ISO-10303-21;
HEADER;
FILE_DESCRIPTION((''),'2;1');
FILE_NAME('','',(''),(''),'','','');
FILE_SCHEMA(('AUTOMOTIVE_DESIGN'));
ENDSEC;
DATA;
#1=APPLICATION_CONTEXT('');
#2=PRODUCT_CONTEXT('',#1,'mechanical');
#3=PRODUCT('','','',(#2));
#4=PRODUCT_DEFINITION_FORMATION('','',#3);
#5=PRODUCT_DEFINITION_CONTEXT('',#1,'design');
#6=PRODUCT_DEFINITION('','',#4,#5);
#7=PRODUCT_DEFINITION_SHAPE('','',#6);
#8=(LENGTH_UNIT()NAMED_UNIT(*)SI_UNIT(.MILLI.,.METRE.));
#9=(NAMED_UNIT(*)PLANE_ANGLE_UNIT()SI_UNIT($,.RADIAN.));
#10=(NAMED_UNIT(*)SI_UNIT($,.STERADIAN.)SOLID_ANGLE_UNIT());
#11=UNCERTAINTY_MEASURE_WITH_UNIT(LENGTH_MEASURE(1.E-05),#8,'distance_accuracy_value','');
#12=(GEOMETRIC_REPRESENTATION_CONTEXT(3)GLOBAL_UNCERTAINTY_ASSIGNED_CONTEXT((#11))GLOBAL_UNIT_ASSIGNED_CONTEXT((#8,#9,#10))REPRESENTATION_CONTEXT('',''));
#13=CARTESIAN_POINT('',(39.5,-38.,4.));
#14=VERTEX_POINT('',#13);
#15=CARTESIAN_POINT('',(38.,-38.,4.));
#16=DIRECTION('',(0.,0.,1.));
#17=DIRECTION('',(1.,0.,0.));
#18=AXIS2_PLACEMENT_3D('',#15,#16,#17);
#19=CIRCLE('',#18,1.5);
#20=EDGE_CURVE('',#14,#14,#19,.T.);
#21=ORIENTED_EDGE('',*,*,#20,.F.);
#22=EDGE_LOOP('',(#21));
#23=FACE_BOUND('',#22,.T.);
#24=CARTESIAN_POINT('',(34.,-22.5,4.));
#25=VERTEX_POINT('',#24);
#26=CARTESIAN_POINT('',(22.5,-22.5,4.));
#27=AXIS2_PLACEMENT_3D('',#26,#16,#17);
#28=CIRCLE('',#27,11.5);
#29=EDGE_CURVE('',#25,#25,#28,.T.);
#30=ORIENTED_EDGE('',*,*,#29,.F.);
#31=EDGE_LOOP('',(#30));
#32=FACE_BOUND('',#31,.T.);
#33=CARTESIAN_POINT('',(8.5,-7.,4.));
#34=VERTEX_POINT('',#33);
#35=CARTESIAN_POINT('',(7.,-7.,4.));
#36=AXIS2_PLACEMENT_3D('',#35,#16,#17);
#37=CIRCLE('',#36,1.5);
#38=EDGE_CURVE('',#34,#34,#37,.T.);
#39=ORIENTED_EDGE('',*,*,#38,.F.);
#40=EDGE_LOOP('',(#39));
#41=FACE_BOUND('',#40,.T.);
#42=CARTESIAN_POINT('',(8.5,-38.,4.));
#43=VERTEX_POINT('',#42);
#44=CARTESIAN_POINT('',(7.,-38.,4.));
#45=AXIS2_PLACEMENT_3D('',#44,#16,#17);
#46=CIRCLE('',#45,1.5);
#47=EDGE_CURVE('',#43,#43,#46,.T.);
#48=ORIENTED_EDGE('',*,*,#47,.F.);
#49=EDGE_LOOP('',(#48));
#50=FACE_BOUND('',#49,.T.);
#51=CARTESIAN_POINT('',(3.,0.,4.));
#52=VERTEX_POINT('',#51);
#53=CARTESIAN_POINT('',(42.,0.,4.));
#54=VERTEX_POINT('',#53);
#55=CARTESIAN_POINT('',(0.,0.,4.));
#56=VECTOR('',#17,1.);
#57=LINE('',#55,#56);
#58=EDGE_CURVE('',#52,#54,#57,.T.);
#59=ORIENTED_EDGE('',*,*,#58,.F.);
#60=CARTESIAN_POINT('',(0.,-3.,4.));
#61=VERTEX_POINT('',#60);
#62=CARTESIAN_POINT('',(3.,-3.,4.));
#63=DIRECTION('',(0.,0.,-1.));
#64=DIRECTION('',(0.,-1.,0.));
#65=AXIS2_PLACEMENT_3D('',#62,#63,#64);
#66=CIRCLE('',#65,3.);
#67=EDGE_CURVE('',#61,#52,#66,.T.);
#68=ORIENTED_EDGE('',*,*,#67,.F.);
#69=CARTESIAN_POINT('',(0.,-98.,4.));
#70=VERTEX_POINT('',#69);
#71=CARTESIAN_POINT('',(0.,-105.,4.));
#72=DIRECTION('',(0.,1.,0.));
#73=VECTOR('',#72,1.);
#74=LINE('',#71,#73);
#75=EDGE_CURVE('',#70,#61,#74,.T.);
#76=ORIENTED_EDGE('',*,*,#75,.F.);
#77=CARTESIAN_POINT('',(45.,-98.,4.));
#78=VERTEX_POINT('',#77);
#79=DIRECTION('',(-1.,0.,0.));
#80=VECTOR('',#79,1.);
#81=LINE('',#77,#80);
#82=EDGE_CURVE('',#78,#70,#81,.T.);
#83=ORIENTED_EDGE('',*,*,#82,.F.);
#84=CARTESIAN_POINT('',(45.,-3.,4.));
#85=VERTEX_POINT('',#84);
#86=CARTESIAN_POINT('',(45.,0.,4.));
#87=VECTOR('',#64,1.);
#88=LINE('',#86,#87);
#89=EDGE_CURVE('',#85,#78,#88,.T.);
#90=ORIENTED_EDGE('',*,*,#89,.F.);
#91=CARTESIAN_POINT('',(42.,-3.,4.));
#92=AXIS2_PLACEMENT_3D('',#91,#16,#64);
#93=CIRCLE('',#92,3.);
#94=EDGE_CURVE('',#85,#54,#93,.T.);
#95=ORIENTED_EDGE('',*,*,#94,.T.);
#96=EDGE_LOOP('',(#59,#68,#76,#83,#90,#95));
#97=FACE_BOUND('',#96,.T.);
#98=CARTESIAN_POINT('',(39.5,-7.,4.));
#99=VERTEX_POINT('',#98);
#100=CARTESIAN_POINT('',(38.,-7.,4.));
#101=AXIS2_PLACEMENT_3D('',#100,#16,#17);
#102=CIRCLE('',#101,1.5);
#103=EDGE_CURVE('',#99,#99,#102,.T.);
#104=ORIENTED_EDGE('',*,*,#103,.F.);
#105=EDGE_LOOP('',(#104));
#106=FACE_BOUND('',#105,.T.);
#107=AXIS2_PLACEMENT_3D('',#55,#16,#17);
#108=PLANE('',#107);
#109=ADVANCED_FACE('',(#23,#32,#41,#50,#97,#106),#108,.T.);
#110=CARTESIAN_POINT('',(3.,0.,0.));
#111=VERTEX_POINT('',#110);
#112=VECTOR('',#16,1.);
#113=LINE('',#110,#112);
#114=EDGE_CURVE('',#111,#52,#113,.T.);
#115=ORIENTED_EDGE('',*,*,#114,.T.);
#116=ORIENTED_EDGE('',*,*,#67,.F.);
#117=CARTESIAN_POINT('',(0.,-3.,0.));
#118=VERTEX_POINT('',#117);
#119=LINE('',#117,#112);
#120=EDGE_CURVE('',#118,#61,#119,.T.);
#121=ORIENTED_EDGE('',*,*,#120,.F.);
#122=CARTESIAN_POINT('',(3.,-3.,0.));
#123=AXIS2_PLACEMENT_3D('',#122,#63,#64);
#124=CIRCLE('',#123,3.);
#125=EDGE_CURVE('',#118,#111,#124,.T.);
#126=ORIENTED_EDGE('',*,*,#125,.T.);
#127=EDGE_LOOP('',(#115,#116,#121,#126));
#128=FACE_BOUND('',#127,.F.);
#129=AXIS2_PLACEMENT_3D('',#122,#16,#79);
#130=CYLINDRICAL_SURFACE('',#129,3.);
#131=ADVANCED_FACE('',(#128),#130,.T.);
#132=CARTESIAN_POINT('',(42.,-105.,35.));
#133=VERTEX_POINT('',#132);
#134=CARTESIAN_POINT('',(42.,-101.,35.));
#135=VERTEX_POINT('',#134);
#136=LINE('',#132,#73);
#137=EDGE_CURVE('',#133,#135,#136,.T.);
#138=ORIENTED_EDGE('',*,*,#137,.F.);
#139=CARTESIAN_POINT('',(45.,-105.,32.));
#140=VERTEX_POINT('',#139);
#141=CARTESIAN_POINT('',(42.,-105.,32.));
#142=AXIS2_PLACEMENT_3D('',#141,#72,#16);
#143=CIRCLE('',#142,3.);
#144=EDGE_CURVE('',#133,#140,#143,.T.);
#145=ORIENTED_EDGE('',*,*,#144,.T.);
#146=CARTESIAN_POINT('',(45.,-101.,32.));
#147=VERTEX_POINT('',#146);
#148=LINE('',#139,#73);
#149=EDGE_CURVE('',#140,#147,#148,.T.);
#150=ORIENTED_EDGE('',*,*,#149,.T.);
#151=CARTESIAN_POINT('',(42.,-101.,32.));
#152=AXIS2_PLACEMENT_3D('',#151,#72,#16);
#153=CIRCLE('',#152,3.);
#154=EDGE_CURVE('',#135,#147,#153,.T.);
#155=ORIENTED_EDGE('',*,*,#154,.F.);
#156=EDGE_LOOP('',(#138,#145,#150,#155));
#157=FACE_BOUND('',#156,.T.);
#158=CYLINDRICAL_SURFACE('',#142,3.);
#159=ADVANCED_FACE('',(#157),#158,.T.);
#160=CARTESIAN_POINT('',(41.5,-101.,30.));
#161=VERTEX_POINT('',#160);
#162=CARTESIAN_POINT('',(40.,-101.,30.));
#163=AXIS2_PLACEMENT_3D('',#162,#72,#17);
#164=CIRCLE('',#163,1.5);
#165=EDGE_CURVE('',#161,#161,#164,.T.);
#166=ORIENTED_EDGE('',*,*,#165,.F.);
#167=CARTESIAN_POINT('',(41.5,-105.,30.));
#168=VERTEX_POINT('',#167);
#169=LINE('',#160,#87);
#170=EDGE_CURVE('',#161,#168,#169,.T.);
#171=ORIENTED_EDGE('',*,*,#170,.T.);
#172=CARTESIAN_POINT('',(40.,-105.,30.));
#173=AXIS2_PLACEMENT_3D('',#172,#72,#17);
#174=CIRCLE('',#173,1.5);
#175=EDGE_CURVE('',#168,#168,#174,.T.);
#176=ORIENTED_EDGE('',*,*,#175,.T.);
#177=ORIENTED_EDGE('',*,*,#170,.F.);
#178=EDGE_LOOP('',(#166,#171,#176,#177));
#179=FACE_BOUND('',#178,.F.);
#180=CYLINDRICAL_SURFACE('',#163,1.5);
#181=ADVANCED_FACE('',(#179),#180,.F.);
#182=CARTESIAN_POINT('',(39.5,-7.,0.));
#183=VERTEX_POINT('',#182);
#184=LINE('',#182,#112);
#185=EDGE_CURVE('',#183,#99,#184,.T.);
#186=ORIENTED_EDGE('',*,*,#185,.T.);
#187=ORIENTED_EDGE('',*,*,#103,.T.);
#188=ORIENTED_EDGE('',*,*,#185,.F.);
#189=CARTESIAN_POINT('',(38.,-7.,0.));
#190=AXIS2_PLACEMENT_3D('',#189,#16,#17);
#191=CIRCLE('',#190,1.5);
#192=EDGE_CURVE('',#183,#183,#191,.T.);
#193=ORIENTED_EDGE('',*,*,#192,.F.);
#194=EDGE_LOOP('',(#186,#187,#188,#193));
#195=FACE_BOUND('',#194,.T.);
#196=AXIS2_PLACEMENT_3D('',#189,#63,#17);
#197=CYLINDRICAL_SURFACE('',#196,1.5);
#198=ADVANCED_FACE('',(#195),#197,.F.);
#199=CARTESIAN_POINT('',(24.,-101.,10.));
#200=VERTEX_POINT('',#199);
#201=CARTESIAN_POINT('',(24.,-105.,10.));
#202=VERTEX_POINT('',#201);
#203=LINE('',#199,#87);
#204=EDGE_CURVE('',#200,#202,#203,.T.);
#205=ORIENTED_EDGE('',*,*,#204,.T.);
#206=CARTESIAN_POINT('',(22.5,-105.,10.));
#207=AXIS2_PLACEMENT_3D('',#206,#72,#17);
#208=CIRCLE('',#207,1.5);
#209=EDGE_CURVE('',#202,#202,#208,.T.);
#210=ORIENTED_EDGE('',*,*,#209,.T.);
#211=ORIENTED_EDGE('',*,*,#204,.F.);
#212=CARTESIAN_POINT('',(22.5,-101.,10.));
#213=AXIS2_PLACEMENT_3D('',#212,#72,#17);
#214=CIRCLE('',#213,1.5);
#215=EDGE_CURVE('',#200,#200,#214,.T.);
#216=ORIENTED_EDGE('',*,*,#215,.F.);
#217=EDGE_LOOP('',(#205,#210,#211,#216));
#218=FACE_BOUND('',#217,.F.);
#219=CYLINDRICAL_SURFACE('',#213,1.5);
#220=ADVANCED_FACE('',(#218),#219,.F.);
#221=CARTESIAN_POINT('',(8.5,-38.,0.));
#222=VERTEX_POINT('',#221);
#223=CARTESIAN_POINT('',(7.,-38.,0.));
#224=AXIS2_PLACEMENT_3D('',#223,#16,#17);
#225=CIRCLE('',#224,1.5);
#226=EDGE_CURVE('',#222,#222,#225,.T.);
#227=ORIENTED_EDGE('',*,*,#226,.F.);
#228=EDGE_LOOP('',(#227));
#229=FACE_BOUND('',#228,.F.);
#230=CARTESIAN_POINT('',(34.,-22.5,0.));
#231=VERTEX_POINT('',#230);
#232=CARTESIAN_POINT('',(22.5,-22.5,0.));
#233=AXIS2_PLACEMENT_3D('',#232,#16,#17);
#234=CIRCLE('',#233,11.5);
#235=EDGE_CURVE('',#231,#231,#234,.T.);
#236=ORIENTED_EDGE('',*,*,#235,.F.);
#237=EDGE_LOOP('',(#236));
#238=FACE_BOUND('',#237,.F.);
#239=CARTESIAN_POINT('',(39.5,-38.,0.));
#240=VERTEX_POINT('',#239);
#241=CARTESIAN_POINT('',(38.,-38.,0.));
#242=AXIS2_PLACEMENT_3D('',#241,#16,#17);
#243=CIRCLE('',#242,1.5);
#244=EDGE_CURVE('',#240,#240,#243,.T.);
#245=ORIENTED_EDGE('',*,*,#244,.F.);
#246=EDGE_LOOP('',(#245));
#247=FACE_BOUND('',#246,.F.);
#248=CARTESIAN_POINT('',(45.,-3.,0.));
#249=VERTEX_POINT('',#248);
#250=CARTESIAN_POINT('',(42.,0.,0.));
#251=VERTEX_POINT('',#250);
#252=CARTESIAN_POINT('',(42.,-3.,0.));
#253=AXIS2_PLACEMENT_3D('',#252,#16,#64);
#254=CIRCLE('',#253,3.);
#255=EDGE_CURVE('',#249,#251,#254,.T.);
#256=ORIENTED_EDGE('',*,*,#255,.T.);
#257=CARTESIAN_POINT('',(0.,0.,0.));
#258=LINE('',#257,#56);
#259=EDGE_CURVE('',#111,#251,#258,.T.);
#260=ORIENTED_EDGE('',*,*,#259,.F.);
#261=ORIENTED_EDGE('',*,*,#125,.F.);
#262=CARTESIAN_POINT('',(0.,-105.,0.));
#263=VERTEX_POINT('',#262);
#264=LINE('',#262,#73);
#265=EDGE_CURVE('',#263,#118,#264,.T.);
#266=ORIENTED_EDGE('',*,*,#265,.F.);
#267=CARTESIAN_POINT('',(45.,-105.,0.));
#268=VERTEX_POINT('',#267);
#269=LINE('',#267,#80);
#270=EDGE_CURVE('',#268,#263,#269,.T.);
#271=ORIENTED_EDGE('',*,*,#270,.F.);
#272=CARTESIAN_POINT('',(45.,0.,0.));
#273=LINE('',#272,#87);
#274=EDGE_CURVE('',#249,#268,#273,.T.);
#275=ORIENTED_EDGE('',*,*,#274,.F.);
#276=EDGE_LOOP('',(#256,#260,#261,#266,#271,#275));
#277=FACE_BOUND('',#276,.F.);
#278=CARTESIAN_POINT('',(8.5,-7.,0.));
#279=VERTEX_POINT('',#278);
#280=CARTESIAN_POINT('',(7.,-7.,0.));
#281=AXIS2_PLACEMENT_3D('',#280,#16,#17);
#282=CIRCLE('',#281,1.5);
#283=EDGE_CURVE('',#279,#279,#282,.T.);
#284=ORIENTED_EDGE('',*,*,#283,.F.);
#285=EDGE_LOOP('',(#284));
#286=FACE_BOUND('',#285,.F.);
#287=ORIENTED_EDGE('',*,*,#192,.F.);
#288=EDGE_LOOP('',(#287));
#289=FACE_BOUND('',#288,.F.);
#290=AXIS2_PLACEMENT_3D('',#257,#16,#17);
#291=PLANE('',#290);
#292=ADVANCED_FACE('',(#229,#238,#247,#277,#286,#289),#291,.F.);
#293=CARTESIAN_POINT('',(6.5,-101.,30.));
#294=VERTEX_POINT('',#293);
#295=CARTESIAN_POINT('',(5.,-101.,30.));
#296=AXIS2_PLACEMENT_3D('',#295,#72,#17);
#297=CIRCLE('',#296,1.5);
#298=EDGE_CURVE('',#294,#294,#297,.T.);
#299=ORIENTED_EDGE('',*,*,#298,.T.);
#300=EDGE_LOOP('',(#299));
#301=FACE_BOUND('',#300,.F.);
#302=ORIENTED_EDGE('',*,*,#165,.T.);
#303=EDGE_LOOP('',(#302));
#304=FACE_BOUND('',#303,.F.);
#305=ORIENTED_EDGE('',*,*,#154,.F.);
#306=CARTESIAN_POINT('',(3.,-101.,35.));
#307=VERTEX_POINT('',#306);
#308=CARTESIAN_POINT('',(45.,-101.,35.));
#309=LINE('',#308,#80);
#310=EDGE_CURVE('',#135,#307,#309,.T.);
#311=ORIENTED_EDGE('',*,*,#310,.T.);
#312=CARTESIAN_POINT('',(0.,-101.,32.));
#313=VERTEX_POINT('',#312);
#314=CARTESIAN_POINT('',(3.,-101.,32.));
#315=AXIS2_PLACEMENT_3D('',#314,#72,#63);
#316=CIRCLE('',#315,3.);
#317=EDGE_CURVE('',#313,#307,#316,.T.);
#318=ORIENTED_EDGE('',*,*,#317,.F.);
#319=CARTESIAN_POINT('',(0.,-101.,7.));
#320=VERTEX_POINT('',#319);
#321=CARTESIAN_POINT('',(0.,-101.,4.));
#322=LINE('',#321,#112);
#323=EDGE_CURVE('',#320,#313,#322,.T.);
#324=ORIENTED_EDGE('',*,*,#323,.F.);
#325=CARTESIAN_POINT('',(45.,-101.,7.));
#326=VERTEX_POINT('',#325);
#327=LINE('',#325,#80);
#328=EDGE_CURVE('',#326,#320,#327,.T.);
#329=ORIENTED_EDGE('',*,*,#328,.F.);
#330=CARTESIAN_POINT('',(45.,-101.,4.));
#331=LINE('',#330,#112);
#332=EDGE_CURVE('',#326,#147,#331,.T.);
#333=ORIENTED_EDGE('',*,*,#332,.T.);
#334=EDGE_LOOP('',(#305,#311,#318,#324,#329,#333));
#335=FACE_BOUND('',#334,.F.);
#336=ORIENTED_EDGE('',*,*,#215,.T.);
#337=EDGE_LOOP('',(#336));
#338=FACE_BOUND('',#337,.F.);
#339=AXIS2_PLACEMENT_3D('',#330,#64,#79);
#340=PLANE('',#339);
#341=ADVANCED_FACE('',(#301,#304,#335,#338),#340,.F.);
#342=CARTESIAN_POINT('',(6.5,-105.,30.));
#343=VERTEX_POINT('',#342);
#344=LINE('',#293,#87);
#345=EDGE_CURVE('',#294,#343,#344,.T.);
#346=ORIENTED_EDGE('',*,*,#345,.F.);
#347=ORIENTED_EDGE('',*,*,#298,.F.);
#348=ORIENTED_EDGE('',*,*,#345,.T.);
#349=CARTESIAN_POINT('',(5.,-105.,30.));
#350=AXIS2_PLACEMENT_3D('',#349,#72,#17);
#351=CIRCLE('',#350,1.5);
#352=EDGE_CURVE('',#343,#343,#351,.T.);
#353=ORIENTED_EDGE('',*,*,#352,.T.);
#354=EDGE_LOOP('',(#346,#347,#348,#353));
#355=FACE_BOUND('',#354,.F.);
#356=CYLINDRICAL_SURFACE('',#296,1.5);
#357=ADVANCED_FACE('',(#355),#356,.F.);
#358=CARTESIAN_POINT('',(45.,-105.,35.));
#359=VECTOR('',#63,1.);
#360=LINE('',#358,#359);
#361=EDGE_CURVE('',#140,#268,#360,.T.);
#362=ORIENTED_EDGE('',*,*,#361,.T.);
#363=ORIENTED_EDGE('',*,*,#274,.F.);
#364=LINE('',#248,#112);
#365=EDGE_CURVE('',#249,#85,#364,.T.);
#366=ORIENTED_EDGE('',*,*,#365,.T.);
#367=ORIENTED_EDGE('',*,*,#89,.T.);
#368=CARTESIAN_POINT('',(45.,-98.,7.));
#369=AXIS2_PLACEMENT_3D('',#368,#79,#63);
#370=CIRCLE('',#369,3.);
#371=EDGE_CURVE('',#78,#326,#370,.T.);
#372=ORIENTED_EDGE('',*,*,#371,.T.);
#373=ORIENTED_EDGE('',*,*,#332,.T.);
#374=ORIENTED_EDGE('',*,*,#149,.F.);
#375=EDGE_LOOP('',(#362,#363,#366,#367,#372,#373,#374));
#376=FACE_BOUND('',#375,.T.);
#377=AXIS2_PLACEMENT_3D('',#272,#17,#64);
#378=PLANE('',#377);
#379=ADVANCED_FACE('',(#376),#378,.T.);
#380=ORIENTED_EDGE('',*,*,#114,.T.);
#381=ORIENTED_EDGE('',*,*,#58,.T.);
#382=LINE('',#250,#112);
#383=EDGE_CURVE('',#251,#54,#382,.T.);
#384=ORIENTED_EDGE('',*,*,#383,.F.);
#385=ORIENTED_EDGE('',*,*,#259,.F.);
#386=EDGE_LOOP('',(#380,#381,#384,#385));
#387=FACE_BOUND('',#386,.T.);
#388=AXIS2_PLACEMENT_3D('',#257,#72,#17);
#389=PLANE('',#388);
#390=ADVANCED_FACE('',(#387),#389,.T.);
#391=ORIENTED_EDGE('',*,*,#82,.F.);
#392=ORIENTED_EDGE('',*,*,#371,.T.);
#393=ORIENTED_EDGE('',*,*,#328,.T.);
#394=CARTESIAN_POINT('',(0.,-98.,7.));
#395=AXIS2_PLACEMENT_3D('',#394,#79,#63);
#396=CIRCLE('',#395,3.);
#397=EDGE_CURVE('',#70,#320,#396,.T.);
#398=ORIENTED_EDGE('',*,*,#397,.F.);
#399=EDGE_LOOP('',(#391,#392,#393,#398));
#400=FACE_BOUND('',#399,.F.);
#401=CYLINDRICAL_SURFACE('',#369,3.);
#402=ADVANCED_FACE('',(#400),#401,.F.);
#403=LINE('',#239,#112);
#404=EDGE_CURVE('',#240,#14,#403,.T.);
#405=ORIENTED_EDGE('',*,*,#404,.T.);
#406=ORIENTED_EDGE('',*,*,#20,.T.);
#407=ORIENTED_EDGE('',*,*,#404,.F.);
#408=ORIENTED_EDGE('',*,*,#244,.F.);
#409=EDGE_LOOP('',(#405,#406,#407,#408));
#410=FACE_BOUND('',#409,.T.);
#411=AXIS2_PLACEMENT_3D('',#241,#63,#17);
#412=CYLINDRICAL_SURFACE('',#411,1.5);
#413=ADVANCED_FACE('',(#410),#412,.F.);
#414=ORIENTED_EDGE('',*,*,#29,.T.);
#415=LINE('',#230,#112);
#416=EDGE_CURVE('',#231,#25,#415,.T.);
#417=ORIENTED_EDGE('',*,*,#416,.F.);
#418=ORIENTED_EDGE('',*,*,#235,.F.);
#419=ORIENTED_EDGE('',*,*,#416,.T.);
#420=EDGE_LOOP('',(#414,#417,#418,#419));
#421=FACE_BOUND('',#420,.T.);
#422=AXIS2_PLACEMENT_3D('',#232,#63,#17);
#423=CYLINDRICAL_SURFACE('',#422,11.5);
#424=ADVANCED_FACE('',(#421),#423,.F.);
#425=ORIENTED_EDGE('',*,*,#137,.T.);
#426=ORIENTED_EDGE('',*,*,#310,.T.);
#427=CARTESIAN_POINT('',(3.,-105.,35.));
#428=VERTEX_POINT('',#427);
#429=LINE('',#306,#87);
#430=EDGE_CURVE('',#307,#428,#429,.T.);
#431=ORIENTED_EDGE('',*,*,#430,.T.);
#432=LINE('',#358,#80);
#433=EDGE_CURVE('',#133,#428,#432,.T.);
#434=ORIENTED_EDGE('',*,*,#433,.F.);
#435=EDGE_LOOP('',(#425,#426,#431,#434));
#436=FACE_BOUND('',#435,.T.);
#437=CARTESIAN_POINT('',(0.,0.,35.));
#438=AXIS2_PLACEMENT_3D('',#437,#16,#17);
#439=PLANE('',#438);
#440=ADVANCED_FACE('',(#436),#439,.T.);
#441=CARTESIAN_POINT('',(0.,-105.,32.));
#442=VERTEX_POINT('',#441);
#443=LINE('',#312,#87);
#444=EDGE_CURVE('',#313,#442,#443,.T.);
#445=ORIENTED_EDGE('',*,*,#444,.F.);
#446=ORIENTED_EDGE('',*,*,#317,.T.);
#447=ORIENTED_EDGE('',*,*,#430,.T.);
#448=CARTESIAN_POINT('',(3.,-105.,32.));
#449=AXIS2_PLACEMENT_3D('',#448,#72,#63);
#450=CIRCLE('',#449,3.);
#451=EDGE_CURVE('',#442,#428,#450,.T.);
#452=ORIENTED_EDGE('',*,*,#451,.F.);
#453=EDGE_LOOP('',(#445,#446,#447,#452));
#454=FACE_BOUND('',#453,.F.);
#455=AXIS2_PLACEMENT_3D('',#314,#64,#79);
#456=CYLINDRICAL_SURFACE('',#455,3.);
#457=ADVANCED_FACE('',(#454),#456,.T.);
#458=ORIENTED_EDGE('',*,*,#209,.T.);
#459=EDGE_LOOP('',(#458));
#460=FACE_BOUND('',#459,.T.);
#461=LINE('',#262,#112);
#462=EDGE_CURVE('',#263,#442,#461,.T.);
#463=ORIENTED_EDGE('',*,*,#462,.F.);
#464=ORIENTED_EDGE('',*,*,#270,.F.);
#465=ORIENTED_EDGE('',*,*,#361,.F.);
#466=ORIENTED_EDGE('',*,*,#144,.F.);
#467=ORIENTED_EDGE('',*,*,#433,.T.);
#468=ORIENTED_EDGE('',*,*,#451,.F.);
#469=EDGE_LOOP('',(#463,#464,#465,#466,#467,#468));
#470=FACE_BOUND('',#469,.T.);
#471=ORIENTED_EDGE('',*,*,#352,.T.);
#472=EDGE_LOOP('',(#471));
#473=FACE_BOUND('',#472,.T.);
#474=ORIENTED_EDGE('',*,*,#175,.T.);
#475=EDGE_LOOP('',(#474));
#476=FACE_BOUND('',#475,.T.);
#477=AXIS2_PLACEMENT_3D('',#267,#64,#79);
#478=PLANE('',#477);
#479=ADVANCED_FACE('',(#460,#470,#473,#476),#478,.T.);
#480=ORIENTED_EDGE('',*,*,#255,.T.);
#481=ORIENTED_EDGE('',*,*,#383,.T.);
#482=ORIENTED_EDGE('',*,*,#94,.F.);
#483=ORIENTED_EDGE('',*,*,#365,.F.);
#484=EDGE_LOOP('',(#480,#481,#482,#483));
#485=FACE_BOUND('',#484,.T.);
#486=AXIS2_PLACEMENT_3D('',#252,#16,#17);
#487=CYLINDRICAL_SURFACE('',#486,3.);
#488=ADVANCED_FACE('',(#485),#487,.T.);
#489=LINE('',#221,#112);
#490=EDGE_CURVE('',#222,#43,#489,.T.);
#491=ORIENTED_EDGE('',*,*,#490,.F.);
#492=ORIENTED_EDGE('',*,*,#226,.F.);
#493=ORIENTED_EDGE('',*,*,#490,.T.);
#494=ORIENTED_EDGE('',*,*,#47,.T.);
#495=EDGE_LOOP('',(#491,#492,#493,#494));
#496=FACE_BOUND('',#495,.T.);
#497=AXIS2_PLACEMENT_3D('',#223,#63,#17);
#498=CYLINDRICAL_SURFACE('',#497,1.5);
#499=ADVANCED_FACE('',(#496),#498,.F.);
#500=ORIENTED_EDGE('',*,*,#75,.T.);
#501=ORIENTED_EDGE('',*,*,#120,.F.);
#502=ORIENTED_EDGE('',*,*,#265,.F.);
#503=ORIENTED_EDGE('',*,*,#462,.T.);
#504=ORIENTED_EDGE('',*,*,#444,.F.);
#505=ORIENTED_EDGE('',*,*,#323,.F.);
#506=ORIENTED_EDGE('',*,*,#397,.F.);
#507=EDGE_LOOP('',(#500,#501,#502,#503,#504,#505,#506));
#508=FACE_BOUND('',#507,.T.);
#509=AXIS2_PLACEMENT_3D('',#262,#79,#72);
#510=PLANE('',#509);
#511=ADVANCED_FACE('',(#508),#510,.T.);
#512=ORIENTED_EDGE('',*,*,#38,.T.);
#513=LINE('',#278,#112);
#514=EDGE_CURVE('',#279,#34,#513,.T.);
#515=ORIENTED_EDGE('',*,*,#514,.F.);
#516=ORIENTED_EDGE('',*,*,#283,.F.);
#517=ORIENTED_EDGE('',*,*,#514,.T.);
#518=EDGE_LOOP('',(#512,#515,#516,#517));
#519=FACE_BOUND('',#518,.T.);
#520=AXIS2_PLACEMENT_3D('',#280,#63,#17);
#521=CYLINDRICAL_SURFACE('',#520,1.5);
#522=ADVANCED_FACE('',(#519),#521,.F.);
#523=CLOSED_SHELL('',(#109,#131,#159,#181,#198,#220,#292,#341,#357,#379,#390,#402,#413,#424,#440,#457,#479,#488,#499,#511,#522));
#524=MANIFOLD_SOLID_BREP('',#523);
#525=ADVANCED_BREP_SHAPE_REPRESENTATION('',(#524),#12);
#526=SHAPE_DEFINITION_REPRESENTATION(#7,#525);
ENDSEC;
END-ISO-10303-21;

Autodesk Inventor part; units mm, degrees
ref_plane "YZ Plane" through (0, 0, 0) normal (1, 0, 0) x (0, 1, 0)
ref_plane "XZ Plane" through (0, 0, 0) normal (0, 1, 0) x (-1, 0, 0)
ref_plane "XY Plane" through (0, 0, 0) normal (0, 0, 1) x (1, 0, 0)
sketch "Sketch1" plane through (0, 0, 0) normal (0, 0, 1) x (1, 0, 0)
  point P0 (0, 0)
sketch "Sketch2" plane through (0, 0, 0) normal (0, 0, 1) x (1, 0, 0)
  line L0 (0, 0) -> (45, 0)
  line L1 (45, 0) -> (45, -105)
  line L2 (45, -105) -> (0, -105)
  line L3 (0, -105) -> (0, 0)
  circle A0 centre (7, -7) radius 1.5
  circle A1 centre (7, -38) radius 1.5
  circle A2 centre (38, -7) radius 1.5
  circle A3 centre (38, -38) radius 1.5
  circle A4 centre (22.5, -22.5) radius 11.5
  dimension "d0" = 45
  dimension "d1" = 105
  dimension "d2" = 3
  dimension "d3" = 3
  dimension "d4" = 3
  dimension "d5" = 3
  dimension "d6" = 31
  dimension "d10" = 7
  dimension "d11" = 7
  dimension "d12" = 31
  dimension "d13" = 7
  dimension "d14" = 7
  dimension "d15" = 31
  dimension "d16" = 31
  dimension "d17" = 23
  dimension "d18" = 22.5
  dimension "d19" = 22.5
extrude "Extrusion1" add sketch "Sketch2" along normal blind 4
sketch "Sketch3" plane through (0, 0, 4) normal (0, 0, 1) x (1, 0, 0)
  point P0 (0, 0)
sketch "Sketch4" plane through (0, 0, 4) normal (0, 0, 1) x (1, 0, 0)
  line L0 (0, 0) -> (0, -105) projected
  line L1 (45, -105) -> (45, 0) projected
  line L2 (0, 0) -> (45, 0)
  line L3 (45, 0) -> (45, -105)
  line L4 (45, -105) -> (0, -105)
  line L5 (0, -105) -> (0, 0)
  line L6 (0, -105) -> (45, -105)
  line L7 (45, -105) -> (45, -101)
  line L8 (45, -101) -> (0, -101)
  line L9 (0, -101) -> (0, -105)
  dimension "d22" = 4
extrude "Extrusion2" add sketch "Sketch4" along normal blind 31 contours L8 L1 L4 L0
sketch "Sketch5" plane through (0, -101, 4) normal (0, 1, 0) x (1, 0, 0)
  line L0 (45, 4) -> (0, 4) projected
  line L1 (45, 4) -> (45, -31) projected
  line L2 (0, 4) -> (45, 4)
  line L3 (45, 4) -> (45, -31)
  line L4 (45, -31) -> (0, -31)
  line L5 (0, -31) -> (0, 4)
  circle A0 centre (5, -26) radius 1.5
  circle A1 centre (40, -26) radius 1.5
  circle A2 centre (22.5, -6) radius 1.5
  dimension "d25" = 3
  dimension "d26" = 3
  dimension "d27" = 3
  dimension "d28" = 5
  dimension "d29" = 5
  dimension "d30" = 5
  dimension "d31" = 5
  dimension "d32" = 22.5
  dimension "d33" = 25
extrude "Extrusion3" cut sketch "Sketch5" against normal blind 4 contours A0 | A1 | A2
fillet "Fillet1" radius 3 1 edges at (22.5, -101, 4)
fillet "Fillet2" radius 3 1 edges at (0, 0, 2)
fillet "Fillet3" radius 3 1 edges at (0, -103, 35)
fillet "Fillet4" radius 3 1 edges at (45, -103, 35)
fillet "Fillet5" radius 3 1 edges at (45, 0, 2)
properties part number "Suporte Esquerdo 2"
